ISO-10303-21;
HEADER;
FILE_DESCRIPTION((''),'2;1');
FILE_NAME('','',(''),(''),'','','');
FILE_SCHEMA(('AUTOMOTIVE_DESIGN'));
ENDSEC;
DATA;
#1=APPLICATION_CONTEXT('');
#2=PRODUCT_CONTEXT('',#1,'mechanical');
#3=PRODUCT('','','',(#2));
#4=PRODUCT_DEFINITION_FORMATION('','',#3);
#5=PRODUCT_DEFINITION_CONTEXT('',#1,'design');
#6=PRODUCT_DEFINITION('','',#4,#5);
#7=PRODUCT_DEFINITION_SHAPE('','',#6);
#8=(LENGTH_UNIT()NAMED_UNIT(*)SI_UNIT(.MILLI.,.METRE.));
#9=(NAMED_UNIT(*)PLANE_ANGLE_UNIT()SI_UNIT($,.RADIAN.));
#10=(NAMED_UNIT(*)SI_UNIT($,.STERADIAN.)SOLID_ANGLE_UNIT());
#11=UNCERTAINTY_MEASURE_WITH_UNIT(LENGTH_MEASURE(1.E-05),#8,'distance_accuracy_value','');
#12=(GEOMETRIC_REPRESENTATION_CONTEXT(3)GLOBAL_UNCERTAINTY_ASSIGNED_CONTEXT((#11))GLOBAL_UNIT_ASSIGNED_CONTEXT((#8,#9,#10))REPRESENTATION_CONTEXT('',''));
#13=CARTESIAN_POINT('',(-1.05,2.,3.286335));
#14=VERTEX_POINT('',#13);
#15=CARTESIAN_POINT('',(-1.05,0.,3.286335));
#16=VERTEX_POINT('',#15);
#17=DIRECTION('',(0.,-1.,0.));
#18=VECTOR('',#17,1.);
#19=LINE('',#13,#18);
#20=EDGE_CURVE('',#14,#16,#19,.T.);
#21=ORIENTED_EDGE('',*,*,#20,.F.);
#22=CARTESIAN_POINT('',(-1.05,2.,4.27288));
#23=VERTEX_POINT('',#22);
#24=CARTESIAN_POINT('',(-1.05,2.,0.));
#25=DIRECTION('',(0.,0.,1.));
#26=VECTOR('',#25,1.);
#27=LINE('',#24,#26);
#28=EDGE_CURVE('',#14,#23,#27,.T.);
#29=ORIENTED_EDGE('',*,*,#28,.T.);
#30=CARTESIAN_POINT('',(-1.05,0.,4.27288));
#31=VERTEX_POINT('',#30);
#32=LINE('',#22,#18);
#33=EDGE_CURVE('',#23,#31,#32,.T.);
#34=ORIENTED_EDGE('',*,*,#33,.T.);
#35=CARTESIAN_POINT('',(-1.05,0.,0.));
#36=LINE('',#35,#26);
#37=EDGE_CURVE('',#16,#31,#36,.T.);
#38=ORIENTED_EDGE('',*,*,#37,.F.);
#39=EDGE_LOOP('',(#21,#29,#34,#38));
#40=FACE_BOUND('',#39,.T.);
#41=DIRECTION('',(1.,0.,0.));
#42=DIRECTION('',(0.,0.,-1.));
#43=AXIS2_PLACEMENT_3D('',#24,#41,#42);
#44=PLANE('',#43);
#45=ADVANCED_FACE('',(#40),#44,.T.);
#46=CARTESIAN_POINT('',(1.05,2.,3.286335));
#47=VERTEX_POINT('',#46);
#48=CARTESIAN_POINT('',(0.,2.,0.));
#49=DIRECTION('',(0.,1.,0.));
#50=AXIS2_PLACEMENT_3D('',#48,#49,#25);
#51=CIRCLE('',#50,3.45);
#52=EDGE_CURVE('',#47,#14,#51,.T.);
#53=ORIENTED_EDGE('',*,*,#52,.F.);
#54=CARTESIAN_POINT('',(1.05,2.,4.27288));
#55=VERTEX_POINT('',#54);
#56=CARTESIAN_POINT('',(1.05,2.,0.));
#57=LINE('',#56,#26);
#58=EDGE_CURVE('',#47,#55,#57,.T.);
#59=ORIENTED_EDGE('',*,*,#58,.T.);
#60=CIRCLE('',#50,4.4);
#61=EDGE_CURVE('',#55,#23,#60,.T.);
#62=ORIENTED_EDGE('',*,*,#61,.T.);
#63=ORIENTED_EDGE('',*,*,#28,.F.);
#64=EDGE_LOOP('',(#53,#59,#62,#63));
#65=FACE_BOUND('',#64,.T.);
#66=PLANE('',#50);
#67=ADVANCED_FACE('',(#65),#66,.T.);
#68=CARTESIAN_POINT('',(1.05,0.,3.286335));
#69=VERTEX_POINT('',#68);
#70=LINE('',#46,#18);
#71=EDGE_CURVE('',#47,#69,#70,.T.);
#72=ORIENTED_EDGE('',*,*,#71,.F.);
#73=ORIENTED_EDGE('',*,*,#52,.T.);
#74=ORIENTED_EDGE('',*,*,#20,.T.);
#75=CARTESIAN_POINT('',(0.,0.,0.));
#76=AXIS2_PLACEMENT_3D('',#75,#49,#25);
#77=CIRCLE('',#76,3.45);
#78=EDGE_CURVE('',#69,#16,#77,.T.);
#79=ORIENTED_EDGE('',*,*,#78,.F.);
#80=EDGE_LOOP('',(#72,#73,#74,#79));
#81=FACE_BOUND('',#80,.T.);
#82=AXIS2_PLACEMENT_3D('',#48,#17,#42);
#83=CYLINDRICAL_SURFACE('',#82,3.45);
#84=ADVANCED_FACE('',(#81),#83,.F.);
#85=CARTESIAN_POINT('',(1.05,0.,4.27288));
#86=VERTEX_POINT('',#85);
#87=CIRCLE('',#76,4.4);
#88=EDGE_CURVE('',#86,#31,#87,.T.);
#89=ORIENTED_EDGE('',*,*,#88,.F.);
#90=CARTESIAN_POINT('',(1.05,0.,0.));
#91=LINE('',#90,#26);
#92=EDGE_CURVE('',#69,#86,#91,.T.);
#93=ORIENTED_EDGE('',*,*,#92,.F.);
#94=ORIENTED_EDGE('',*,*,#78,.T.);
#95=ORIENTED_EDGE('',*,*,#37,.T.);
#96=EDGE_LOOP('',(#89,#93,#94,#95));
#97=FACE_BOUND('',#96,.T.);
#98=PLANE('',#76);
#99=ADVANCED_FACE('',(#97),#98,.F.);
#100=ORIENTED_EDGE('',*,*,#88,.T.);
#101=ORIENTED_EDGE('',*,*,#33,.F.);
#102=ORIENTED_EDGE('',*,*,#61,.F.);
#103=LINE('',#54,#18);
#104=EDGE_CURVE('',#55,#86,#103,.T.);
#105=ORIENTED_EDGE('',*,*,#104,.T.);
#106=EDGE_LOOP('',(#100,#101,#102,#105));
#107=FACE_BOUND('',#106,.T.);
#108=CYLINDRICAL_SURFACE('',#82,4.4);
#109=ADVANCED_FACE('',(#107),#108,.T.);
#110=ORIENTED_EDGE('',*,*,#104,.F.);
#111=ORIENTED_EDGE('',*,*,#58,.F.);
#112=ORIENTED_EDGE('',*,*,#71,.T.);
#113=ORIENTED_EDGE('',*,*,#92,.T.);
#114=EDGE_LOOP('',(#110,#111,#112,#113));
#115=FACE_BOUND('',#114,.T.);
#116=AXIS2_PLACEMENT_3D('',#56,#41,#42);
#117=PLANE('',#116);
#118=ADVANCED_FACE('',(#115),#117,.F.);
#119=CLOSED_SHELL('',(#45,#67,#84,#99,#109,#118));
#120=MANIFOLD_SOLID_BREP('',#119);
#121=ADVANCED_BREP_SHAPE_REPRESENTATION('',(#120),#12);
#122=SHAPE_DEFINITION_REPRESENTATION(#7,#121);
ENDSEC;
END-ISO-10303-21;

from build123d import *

# Parameters (mm, degrees)
BOSS_EXTRUDE1_DEPTH = 2


with BuildPart() as part:
    # Sketch1 → Boss-Extrude1 (new body)
    with BuildSketch(Plane(origin=(0, 0, 0), x_dir=(1, 0, 0), z_dir=(0, 1, 0))):
        with BuildLine():
            Line((-1.05, -4.272879591), (-1.05, -3.286335345))
            ThreePointArc((-1.05, -3.286335345), (-2.034698995, 2.786126343), (3.45, 0))
            ThreePointArc((3.45, 0), (2.786126343, -2.034698995), (1.05, -3.286335345))
            Line((1.05, -3.286335345), (1.05, -4.272879591))
            ThreePointArc((1.05, -4.272879591), (3.462657939, -2.714774392), (4.4, 0))
            ThreePointArc((4.4, 0), (-2.714774392, 3.462657939), (-1.05, -4.272879591))
        make_face()
    extrude(amount=BOSS_EXTRUDE1_DEPTH)


solid = part.part
